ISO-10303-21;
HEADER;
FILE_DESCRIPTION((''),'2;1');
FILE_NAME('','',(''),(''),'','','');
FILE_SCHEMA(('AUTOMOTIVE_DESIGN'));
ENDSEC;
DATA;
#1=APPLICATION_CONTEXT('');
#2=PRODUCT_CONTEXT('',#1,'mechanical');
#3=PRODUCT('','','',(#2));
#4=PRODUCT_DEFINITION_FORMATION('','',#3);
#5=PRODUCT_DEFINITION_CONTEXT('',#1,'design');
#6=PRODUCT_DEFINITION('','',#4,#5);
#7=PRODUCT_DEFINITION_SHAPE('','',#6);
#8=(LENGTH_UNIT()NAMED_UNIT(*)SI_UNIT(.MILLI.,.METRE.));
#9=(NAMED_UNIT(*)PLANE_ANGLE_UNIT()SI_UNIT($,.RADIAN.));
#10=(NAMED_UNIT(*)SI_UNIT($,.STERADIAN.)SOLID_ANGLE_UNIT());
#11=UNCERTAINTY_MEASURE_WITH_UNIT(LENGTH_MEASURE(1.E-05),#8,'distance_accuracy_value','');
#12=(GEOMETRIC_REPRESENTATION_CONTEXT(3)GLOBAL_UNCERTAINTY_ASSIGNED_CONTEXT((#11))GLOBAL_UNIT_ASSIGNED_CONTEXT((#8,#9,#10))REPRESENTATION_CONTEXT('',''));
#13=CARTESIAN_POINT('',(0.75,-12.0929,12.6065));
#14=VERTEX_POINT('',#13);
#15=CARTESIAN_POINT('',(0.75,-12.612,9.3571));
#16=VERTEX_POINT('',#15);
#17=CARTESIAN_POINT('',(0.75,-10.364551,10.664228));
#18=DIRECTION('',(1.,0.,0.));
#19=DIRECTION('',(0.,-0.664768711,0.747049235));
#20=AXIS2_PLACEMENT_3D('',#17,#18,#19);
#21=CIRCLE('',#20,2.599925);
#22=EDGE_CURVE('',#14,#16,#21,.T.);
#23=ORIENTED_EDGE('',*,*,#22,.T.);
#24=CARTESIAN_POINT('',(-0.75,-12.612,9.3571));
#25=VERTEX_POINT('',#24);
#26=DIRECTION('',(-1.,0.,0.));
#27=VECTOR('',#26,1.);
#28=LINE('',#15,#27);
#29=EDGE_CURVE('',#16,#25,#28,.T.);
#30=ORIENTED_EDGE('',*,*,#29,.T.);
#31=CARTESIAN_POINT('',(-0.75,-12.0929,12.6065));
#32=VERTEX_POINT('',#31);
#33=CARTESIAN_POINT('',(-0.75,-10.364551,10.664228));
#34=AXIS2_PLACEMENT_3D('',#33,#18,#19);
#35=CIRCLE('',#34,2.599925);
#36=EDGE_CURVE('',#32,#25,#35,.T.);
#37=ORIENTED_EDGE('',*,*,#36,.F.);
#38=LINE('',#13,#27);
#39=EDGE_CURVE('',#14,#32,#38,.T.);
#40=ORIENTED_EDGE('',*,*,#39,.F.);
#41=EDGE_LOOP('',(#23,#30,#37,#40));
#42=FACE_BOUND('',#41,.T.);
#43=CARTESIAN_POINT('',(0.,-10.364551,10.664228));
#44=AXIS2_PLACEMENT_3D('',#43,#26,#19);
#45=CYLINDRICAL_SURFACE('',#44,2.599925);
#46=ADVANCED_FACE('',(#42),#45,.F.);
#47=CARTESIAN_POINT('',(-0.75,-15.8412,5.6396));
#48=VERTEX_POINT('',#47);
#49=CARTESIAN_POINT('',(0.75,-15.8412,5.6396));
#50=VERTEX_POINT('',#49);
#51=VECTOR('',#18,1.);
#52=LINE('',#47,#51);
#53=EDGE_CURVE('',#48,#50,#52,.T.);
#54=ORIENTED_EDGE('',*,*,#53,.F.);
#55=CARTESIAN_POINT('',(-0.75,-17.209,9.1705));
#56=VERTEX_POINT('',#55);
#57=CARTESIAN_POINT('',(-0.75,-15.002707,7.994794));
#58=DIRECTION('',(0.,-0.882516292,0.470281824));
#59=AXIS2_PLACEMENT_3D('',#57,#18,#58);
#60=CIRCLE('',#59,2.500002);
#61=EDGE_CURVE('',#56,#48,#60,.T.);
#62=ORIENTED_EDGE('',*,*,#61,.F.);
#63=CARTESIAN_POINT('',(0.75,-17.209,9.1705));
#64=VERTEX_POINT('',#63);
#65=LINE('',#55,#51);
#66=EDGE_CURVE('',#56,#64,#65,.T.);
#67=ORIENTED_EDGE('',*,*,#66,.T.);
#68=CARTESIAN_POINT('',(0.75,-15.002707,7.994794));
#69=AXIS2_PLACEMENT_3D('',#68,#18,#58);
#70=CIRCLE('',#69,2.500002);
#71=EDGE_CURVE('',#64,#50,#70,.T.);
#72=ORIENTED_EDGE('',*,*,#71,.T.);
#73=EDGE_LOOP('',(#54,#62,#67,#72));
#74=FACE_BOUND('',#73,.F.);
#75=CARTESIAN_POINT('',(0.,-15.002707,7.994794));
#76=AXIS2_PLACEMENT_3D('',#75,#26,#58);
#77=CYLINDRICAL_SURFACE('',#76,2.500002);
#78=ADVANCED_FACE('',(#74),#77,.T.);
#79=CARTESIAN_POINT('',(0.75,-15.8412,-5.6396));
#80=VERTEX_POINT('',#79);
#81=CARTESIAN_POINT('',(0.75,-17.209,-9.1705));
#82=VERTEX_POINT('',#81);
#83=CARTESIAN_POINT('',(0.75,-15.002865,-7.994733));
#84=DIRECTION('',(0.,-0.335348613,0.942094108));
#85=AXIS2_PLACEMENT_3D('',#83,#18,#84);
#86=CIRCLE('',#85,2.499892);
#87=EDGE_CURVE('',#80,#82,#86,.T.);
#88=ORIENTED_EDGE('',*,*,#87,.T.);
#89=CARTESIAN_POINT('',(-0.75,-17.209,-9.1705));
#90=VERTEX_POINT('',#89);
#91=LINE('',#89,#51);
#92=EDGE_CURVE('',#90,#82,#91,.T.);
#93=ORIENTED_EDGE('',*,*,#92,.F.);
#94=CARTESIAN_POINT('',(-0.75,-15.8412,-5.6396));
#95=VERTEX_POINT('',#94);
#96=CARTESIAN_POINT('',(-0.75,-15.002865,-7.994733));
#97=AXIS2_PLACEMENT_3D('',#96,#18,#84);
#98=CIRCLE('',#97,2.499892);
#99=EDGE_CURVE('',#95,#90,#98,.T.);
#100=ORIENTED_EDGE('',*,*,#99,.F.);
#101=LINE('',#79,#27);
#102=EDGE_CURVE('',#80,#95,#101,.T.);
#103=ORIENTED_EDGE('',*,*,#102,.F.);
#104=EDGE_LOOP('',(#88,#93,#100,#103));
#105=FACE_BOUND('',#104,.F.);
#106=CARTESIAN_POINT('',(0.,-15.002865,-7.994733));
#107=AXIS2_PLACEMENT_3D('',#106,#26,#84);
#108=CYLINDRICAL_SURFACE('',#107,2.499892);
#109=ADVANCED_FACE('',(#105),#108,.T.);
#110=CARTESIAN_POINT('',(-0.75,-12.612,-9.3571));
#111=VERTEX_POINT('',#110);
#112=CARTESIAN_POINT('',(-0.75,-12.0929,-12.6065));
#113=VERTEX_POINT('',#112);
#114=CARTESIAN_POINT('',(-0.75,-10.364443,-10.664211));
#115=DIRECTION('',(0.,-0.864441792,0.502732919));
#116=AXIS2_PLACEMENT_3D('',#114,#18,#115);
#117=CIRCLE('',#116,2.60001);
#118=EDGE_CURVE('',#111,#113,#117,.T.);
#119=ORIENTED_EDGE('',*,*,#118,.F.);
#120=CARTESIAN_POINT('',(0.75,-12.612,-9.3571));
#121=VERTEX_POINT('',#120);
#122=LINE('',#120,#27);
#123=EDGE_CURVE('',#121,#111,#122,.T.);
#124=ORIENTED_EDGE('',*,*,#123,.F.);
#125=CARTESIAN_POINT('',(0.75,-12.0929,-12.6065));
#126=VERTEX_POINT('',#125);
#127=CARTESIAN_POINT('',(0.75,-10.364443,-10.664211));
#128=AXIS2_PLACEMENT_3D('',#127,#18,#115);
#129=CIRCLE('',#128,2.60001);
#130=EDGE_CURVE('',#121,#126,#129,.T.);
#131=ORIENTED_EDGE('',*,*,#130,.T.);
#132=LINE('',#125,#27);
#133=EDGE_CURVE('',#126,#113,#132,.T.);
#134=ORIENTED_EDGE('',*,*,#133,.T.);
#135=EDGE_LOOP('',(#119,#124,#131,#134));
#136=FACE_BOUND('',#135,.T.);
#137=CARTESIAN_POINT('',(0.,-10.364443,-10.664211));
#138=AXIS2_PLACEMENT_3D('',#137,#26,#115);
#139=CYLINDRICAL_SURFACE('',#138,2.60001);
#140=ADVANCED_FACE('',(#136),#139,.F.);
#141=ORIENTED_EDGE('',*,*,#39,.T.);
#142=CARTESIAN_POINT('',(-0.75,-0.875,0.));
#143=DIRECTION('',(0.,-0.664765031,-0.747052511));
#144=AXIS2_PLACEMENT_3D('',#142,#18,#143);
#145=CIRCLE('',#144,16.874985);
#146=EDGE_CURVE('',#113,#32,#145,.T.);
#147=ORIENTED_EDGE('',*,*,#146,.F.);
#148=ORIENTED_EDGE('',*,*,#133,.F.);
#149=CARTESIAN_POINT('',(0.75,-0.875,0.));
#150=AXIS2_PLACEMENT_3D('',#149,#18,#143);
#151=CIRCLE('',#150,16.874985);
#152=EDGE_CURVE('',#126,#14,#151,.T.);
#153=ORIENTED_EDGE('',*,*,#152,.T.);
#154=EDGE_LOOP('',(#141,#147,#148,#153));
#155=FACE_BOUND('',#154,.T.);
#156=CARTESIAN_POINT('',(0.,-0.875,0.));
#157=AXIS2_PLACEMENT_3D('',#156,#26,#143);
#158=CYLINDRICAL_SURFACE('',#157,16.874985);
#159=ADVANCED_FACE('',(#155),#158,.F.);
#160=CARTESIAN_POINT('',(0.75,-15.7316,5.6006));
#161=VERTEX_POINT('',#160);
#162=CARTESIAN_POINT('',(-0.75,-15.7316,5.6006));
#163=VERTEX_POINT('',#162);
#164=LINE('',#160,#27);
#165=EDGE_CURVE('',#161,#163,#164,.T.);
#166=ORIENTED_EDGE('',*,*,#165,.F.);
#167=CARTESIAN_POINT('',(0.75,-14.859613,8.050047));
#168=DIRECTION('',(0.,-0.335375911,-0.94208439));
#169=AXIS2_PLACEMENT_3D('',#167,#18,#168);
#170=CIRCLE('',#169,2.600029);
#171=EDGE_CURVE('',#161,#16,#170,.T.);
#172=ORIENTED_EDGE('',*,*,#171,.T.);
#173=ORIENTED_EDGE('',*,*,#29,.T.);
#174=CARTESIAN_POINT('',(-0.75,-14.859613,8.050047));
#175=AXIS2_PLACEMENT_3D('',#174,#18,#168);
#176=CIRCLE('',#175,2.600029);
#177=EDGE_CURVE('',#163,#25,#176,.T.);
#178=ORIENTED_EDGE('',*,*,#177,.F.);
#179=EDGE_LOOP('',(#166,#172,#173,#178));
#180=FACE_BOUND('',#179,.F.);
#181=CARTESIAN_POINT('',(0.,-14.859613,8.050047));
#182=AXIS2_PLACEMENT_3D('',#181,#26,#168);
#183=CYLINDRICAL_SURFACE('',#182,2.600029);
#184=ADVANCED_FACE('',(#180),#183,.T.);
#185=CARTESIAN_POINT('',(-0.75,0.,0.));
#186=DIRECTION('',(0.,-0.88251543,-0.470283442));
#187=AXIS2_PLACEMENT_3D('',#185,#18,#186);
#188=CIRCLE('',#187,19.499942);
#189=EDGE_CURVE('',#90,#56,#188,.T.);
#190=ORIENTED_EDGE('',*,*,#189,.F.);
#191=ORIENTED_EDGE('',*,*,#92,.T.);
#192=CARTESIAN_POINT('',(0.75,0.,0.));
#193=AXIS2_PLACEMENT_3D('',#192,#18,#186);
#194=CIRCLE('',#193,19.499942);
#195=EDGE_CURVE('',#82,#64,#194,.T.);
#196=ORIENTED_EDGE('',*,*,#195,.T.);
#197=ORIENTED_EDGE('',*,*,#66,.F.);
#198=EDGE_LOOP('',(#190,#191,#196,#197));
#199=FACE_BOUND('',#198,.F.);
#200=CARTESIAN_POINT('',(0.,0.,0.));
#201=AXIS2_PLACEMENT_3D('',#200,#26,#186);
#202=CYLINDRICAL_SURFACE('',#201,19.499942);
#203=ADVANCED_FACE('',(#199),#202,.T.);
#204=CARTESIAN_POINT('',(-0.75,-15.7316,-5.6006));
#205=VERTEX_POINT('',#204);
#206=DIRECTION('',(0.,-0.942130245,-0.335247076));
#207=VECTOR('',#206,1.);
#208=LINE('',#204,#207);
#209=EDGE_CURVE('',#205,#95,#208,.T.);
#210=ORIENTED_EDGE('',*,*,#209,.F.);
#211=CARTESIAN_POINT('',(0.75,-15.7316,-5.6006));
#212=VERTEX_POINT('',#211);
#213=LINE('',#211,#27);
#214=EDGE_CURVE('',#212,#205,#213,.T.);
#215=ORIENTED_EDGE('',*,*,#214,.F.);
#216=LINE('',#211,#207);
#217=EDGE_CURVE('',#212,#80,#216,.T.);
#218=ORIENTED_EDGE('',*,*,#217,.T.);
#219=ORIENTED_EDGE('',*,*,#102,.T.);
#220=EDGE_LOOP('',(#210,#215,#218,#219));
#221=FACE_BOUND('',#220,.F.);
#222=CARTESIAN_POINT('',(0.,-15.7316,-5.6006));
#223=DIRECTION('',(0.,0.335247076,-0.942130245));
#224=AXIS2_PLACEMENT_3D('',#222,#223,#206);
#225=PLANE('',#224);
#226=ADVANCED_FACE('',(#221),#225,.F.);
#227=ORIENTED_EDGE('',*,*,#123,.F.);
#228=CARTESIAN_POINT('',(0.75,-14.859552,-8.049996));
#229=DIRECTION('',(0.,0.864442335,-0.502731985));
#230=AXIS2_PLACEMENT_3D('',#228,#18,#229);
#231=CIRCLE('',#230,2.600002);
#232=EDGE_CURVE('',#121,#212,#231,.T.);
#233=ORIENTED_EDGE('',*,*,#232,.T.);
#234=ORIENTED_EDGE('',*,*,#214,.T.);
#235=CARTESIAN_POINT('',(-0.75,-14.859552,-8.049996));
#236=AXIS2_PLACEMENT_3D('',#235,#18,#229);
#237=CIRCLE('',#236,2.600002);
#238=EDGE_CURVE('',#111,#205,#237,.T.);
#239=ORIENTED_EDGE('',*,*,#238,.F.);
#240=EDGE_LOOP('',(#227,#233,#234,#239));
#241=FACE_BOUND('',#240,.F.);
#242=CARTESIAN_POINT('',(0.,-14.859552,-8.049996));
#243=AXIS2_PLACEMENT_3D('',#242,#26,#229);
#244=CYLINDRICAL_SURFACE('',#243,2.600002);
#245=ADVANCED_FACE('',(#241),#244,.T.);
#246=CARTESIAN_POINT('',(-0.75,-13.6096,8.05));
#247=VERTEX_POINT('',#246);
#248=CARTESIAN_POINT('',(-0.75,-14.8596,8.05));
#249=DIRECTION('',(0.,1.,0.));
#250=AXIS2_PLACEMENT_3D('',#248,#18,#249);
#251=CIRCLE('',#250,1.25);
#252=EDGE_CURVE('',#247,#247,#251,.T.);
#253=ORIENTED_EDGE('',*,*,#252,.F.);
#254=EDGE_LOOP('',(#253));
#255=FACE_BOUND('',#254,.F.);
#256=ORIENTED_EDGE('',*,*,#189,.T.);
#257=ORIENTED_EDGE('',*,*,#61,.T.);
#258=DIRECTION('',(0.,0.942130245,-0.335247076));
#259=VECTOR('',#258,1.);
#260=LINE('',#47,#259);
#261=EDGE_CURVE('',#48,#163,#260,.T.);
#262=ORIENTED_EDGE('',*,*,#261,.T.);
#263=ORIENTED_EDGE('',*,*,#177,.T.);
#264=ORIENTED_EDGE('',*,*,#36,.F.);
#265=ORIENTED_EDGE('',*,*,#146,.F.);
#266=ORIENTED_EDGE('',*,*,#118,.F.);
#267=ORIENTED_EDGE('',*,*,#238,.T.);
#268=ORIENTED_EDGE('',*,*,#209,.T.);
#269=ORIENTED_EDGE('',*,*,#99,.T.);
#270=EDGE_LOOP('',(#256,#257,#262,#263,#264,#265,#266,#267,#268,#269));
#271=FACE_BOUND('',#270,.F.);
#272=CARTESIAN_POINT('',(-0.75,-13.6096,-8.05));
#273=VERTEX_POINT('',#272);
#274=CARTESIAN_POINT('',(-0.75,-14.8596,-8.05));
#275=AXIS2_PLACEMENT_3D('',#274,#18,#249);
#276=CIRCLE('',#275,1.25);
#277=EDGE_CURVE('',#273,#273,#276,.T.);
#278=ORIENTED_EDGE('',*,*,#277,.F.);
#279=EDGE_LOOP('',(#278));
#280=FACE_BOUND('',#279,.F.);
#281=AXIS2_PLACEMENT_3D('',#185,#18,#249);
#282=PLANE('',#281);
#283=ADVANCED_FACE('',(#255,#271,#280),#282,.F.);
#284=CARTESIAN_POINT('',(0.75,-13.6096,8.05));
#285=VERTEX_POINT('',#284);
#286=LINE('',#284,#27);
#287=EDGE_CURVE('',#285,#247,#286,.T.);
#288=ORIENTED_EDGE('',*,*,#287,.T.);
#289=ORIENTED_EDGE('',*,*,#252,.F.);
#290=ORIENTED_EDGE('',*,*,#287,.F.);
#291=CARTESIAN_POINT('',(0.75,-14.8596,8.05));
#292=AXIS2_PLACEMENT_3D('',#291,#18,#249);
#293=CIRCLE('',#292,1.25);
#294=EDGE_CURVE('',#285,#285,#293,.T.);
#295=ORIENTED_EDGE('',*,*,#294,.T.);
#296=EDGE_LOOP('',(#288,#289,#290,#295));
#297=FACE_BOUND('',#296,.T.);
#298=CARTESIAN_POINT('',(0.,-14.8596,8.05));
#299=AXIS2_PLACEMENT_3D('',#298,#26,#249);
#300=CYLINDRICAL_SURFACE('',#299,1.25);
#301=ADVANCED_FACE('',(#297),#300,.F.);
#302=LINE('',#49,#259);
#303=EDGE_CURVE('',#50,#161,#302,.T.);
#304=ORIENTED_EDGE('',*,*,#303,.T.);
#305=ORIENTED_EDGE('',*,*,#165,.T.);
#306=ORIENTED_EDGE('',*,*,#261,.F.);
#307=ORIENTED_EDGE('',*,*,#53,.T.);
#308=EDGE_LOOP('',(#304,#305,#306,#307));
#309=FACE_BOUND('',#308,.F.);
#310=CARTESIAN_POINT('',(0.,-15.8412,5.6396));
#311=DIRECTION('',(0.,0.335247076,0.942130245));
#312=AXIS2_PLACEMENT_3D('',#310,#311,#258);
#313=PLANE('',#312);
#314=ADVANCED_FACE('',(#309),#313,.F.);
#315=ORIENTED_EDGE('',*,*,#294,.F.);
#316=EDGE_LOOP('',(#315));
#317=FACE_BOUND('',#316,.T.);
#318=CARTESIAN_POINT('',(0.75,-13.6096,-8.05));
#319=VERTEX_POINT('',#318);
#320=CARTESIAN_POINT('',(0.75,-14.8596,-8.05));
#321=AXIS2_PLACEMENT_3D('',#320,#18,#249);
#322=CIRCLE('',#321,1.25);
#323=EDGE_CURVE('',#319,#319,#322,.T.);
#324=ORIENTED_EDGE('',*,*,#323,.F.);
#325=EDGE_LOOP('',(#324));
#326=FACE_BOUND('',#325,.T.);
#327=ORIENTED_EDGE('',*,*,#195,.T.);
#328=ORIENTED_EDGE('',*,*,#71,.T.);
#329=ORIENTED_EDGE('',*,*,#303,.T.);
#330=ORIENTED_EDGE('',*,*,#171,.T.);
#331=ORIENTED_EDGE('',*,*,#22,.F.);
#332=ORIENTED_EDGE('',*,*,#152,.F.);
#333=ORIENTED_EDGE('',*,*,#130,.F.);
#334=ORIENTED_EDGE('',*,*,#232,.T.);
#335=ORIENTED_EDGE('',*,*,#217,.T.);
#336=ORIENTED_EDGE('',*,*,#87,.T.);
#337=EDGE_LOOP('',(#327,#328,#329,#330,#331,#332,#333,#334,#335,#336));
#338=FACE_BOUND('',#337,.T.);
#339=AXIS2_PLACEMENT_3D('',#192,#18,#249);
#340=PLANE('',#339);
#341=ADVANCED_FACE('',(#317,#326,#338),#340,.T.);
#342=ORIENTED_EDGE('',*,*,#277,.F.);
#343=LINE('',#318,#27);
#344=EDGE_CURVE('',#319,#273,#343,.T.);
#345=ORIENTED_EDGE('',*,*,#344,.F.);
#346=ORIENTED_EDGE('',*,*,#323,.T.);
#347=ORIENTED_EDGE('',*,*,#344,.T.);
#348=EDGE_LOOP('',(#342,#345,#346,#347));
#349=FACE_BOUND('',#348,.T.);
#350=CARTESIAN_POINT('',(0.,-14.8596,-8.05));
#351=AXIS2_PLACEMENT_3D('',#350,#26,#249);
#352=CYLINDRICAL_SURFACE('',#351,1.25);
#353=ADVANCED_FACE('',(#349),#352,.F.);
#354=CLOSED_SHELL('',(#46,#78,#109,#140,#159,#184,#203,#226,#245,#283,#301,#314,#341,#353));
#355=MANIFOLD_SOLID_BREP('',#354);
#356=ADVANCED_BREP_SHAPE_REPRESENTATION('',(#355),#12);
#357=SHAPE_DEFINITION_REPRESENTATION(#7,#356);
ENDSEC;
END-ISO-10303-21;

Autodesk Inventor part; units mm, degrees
sketch "Sketch_3" plane through (0, 0, 0) normal (1, 0, 0) x (0, 1, 0)
  arc A0 (-17.209, -9.1705) -> (-17.209, 9.1705) centre (0, 0) ccw
  arc A1 (-17.209, 9.1705) -> (-15.8412, 5.6396) centre (-15.0028, 7.9948) ccw
  line L0 (-15.8412, 5.6396) -> (-15.7316, 5.6006)
  arc A2 (-15.7316, 5.6006) -> (-12.612, 9.3571) centre (-14.8596, 8.05) ccw
  arc A3 (-12.0929, 12.6065) -> (-12.612, 9.3571) centre (-10.3645, 10.6642) ccw
  arc A4 (-12.0929, -12.6065) -> (-12.0929, 12.6065) centre (-0.875, 0) ccw
  arc A5 (-12.612, -9.3571) -> (-12.0929, -12.6065) centre (-10.3645, -10.6642) ccw
  arc A6 (-12.612, -9.3571) -> (-15.7316, -5.6006) centre (-14.8596, -8.05) ccw
  line L1 (-15.7316, -5.6006) -> (-15.8412, -5.6396)
  arc A7 (-15.8412, -5.6396) -> (-17.209, -9.1705) centre (-15.0028, -7.9948) ccw
  circle A8 centre (-14.8596, -8.05) radius 1.25
  circle A9 centre (-14.8596, 8.05) radius 1.25
extrude "Extrusion1" add sketch "Sketch_3" along normal mid plane 1.5
ref_plane "rr_XY" through (-0.75, 0, 0) normal (1, 0, 0) x (0, 0, -1)
ref_plane "rr_YZ" through (-0.75, 0, 0) normal (0, 0, -1) x (0, 1, 0)
ref_plane "rr_ZX" through (-0.75, 0, 0) normal (0, 1, 0) x (1, 0, 0)
properties part number "RRING-C-INT-S-37"
